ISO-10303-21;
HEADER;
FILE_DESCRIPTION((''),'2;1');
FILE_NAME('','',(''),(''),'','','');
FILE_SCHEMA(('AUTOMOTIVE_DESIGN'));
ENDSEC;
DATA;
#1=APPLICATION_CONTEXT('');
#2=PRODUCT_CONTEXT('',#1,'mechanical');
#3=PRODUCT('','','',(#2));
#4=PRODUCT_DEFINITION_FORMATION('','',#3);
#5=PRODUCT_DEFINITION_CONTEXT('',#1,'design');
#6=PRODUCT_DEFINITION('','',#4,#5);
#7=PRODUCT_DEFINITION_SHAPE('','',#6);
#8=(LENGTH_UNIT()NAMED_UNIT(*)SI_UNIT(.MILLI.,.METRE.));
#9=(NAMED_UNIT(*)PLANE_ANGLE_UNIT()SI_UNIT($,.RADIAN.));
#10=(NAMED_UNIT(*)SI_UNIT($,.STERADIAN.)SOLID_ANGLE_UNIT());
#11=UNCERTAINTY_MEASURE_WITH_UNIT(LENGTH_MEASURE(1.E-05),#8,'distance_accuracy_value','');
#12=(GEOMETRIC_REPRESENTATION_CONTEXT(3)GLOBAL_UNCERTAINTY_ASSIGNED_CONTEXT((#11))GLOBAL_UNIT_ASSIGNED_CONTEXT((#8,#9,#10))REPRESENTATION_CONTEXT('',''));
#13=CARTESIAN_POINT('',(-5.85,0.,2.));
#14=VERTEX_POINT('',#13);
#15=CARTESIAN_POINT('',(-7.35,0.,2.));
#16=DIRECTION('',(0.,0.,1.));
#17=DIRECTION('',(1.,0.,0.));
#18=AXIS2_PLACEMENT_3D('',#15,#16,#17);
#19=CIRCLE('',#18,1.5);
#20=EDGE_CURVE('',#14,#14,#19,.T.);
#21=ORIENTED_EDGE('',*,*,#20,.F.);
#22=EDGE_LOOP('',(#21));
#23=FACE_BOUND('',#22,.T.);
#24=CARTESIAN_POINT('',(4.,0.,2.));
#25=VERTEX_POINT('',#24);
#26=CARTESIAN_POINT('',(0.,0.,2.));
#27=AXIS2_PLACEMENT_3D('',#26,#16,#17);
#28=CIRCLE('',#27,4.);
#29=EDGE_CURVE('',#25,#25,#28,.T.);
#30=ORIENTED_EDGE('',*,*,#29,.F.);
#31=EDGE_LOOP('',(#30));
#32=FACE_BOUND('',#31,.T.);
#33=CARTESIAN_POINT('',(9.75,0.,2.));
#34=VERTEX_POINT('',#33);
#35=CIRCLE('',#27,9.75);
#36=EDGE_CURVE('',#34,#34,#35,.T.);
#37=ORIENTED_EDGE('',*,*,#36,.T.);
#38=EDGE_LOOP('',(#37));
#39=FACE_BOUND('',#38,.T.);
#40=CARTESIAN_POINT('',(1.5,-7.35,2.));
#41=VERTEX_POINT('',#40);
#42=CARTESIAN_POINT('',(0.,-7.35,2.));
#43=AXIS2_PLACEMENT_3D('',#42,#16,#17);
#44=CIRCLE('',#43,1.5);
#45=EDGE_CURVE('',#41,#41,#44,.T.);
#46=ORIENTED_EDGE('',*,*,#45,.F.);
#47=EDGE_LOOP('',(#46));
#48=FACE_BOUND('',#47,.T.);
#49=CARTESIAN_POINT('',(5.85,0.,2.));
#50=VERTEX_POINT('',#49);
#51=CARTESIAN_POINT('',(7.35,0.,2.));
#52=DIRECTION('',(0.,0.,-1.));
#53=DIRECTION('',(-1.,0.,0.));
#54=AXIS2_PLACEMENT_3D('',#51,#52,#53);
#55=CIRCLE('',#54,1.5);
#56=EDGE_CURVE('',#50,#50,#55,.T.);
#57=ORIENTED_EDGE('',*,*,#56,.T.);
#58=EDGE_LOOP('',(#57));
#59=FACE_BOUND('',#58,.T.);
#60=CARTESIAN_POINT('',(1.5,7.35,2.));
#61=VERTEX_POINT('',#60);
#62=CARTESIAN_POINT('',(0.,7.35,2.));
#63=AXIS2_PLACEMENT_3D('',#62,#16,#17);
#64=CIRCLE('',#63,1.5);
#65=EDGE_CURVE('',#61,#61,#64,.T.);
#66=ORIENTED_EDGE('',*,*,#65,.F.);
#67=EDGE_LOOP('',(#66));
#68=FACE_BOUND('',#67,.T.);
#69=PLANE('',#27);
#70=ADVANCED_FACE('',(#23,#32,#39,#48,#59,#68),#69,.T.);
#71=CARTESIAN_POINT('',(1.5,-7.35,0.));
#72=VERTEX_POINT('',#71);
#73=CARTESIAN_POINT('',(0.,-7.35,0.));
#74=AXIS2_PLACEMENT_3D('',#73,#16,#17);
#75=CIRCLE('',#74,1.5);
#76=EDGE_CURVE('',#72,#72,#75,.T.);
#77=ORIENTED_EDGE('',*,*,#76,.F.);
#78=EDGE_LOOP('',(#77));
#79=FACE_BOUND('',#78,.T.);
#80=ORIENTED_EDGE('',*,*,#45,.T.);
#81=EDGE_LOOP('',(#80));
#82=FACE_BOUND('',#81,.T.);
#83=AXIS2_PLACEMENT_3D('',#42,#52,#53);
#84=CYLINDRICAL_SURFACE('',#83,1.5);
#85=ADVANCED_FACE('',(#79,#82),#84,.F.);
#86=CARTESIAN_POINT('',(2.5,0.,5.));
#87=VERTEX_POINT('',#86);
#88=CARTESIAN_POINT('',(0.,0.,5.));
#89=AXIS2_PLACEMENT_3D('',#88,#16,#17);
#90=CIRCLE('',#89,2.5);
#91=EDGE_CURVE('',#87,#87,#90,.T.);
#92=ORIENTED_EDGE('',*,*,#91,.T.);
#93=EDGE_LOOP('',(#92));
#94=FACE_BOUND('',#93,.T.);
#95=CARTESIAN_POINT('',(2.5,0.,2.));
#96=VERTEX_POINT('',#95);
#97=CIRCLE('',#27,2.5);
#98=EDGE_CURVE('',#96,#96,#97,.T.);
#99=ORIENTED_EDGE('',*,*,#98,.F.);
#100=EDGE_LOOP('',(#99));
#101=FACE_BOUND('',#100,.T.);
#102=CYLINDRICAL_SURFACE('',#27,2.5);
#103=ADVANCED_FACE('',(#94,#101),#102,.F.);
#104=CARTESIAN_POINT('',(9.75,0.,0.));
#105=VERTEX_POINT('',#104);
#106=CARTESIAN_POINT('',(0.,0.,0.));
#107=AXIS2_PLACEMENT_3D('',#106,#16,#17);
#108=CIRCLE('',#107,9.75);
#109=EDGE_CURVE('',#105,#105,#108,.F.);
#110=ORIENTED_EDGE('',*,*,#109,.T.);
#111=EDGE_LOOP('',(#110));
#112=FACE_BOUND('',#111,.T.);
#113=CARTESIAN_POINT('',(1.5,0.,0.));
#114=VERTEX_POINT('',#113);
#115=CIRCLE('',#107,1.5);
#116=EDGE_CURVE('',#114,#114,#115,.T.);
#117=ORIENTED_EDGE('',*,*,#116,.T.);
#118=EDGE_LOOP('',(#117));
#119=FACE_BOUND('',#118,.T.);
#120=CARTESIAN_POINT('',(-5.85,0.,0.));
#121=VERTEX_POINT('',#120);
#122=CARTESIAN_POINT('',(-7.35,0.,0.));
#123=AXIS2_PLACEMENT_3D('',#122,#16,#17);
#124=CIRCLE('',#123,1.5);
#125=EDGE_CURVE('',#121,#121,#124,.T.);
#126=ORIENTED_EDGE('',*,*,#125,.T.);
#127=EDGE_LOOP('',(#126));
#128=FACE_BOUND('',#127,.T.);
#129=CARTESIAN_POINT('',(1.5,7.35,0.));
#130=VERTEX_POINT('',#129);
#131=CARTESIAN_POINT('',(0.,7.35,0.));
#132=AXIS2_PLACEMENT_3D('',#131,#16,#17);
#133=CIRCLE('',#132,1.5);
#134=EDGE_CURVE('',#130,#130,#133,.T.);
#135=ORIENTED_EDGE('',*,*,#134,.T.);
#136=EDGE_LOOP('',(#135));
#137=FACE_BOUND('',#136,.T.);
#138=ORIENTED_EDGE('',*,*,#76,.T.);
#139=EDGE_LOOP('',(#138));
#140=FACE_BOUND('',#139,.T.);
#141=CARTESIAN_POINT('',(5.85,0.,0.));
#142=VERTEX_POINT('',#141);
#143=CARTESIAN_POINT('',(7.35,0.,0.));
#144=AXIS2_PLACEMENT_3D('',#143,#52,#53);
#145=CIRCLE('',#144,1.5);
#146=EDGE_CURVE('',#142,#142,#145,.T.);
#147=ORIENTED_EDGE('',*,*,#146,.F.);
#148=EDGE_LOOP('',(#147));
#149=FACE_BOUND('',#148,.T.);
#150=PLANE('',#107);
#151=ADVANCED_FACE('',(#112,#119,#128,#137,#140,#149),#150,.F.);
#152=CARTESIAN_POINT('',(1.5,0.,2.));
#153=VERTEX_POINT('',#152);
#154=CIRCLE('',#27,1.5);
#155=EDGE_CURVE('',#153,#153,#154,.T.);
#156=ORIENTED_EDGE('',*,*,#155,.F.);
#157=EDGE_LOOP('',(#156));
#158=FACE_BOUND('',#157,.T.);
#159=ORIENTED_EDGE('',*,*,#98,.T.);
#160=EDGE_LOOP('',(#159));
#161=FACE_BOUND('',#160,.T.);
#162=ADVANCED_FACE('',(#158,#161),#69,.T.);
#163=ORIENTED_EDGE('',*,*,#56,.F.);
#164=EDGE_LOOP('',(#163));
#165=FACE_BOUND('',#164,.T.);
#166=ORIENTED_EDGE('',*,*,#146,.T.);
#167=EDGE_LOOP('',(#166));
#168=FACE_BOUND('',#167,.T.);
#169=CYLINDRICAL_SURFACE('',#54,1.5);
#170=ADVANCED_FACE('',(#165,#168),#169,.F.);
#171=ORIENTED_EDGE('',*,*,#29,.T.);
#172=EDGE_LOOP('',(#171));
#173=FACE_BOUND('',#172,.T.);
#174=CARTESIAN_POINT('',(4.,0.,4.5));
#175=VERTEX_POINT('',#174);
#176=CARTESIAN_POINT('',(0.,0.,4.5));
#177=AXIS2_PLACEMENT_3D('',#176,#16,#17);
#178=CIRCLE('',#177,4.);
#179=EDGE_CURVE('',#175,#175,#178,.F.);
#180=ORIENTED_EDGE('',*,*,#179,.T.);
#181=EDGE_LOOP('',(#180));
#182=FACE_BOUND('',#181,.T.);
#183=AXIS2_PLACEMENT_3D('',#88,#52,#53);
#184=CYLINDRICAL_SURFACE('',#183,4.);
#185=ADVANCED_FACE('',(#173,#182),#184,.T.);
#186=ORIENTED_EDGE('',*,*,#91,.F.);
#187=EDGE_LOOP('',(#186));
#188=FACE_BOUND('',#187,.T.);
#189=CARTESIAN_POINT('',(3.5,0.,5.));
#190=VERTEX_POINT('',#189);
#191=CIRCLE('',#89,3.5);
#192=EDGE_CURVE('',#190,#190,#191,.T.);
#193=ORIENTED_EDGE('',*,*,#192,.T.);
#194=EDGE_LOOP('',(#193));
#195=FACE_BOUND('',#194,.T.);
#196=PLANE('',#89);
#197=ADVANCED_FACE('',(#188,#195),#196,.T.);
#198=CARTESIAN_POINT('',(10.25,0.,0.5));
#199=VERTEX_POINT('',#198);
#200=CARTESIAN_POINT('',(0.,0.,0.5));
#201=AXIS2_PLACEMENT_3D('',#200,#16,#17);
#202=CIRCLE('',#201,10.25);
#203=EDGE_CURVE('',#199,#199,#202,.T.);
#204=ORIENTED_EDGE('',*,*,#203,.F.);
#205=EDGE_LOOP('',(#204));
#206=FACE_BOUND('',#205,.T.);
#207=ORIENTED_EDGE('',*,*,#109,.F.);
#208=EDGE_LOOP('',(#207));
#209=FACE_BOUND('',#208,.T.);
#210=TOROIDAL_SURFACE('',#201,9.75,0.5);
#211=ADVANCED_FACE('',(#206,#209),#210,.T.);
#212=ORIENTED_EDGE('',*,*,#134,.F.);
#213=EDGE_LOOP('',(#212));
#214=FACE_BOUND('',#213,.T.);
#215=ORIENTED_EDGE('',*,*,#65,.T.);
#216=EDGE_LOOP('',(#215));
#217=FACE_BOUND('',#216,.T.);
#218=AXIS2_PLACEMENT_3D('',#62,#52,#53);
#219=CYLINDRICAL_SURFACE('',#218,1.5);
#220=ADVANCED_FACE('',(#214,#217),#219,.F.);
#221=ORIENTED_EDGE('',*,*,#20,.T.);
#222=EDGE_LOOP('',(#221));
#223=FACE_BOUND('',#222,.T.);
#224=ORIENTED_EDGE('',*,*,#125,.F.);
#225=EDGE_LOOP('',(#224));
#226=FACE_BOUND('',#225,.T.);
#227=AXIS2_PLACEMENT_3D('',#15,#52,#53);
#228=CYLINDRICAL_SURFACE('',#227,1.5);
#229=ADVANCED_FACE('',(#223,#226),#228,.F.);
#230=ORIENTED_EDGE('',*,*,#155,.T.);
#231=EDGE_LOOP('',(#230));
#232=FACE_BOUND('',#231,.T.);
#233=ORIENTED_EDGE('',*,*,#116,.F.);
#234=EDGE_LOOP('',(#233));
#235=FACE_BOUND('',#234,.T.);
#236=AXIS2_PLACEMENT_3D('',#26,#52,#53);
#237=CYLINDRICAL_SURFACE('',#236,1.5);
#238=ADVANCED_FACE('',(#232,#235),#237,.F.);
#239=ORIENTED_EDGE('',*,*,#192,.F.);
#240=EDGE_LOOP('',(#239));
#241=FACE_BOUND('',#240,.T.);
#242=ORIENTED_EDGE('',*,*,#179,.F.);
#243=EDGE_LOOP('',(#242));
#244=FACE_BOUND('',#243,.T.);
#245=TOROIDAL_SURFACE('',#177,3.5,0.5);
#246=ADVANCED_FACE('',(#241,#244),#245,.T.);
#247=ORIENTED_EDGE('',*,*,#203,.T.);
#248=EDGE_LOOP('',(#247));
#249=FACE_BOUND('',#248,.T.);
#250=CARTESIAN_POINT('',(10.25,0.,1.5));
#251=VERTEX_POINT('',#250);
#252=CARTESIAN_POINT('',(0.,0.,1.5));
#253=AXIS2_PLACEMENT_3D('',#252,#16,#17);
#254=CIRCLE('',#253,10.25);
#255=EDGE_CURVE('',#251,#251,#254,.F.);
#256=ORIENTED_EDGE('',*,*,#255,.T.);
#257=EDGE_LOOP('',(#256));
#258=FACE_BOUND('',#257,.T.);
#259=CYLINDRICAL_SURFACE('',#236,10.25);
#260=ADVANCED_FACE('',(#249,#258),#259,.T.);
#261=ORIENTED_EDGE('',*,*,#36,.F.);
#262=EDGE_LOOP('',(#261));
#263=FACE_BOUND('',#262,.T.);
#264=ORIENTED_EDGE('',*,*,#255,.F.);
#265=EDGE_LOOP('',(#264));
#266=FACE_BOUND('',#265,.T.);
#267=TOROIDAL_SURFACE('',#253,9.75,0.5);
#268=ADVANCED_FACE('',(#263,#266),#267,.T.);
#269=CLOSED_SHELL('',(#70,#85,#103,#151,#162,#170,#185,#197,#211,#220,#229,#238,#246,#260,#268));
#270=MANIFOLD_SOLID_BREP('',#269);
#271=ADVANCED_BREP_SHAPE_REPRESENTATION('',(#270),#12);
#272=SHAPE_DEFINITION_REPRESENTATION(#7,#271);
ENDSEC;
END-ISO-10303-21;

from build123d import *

# Parameters (mm, degrees)
SKETCH_1_R          = 10.25
SKETCH_1_R_2        = 1.5
EXTRUDE_1_DEPTH     = 2
SKETCH_2_R          = 4
EXTRUDE_2_DEPTH     = 3
SKETCH_3_R          = 2.5
CUT_EXTRUDE_1_DEPTH = 3
FILLET_1_R          = 0.5
FILLET_2_R          = 0.5
FILLET_3_R          = 0.5


with BuildPart() as part:
    # 草图1 → 凸台-拉伸1 (new body)
    with BuildSketch(Plane.XY):
        Circle(SKETCH_1_R)
        Circle(SKETCH_1_R_2, mode=Mode.SUBTRACT)
        with Locations((-7.35, 0)):
            Circle(SKETCH_1_R_2, mode=Mode.SUBTRACT)
        with Locations((7.35, 0)):
            Circle(SKETCH_1_R_2, mode=Mode.SUBTRACT)
        with Locations((0, 7.35)):
            Circle(SKETCH_1_R_2, mode=Mode.SUBTRACT)
        with Locations((0, -7.35)):
            Circle(SKETCH_1_R_2, mode=Mode.SUBTRACT)
    extrude(amount=EXTRUDE_1_DEPTH)

    # 草图2 → 凸台-拉伸2 (add)
    with BuildSketch(Plane.XY.offset(2)):
        Circle(SKETCH_2_R)
    extrude(amount=EXTRUDE_2_DEPTH)

    # 草图3 → 切除-拉伸1 (cut)
    with BuildSketch(Plane.XY.offset(5)):
        Circle(SKETCH_3_R)
    extrude(amount=-CUT_EXTRUDE_1_DEPTH, mode=Mode.SUBTRACT)

    # 圆角1
    fillet_1_edges = [part.edges().sort_by_distance(p)[0] for p in [
        (-10.25, 0, 2),
    ]]
    fillet(fillet_1_edges, radius=FILLET_1_R)

    # 圆角2
    fillet_2_edges = [part.edges().sort_by_distance(p)[0] for p in [
        (-10.25, 0, 0),
    ]]
    fillet(fillet_2_edges, radius=FILLET_2_R)

    # 圆角3
    fillet_3_edges = [part.edges().sort_by_distance(p)[0] for p in [
        (-4, 0, 5),
    ]]
    fillet(fillet_3_edges, radius=FILLET_3_R)


solid = part.part
